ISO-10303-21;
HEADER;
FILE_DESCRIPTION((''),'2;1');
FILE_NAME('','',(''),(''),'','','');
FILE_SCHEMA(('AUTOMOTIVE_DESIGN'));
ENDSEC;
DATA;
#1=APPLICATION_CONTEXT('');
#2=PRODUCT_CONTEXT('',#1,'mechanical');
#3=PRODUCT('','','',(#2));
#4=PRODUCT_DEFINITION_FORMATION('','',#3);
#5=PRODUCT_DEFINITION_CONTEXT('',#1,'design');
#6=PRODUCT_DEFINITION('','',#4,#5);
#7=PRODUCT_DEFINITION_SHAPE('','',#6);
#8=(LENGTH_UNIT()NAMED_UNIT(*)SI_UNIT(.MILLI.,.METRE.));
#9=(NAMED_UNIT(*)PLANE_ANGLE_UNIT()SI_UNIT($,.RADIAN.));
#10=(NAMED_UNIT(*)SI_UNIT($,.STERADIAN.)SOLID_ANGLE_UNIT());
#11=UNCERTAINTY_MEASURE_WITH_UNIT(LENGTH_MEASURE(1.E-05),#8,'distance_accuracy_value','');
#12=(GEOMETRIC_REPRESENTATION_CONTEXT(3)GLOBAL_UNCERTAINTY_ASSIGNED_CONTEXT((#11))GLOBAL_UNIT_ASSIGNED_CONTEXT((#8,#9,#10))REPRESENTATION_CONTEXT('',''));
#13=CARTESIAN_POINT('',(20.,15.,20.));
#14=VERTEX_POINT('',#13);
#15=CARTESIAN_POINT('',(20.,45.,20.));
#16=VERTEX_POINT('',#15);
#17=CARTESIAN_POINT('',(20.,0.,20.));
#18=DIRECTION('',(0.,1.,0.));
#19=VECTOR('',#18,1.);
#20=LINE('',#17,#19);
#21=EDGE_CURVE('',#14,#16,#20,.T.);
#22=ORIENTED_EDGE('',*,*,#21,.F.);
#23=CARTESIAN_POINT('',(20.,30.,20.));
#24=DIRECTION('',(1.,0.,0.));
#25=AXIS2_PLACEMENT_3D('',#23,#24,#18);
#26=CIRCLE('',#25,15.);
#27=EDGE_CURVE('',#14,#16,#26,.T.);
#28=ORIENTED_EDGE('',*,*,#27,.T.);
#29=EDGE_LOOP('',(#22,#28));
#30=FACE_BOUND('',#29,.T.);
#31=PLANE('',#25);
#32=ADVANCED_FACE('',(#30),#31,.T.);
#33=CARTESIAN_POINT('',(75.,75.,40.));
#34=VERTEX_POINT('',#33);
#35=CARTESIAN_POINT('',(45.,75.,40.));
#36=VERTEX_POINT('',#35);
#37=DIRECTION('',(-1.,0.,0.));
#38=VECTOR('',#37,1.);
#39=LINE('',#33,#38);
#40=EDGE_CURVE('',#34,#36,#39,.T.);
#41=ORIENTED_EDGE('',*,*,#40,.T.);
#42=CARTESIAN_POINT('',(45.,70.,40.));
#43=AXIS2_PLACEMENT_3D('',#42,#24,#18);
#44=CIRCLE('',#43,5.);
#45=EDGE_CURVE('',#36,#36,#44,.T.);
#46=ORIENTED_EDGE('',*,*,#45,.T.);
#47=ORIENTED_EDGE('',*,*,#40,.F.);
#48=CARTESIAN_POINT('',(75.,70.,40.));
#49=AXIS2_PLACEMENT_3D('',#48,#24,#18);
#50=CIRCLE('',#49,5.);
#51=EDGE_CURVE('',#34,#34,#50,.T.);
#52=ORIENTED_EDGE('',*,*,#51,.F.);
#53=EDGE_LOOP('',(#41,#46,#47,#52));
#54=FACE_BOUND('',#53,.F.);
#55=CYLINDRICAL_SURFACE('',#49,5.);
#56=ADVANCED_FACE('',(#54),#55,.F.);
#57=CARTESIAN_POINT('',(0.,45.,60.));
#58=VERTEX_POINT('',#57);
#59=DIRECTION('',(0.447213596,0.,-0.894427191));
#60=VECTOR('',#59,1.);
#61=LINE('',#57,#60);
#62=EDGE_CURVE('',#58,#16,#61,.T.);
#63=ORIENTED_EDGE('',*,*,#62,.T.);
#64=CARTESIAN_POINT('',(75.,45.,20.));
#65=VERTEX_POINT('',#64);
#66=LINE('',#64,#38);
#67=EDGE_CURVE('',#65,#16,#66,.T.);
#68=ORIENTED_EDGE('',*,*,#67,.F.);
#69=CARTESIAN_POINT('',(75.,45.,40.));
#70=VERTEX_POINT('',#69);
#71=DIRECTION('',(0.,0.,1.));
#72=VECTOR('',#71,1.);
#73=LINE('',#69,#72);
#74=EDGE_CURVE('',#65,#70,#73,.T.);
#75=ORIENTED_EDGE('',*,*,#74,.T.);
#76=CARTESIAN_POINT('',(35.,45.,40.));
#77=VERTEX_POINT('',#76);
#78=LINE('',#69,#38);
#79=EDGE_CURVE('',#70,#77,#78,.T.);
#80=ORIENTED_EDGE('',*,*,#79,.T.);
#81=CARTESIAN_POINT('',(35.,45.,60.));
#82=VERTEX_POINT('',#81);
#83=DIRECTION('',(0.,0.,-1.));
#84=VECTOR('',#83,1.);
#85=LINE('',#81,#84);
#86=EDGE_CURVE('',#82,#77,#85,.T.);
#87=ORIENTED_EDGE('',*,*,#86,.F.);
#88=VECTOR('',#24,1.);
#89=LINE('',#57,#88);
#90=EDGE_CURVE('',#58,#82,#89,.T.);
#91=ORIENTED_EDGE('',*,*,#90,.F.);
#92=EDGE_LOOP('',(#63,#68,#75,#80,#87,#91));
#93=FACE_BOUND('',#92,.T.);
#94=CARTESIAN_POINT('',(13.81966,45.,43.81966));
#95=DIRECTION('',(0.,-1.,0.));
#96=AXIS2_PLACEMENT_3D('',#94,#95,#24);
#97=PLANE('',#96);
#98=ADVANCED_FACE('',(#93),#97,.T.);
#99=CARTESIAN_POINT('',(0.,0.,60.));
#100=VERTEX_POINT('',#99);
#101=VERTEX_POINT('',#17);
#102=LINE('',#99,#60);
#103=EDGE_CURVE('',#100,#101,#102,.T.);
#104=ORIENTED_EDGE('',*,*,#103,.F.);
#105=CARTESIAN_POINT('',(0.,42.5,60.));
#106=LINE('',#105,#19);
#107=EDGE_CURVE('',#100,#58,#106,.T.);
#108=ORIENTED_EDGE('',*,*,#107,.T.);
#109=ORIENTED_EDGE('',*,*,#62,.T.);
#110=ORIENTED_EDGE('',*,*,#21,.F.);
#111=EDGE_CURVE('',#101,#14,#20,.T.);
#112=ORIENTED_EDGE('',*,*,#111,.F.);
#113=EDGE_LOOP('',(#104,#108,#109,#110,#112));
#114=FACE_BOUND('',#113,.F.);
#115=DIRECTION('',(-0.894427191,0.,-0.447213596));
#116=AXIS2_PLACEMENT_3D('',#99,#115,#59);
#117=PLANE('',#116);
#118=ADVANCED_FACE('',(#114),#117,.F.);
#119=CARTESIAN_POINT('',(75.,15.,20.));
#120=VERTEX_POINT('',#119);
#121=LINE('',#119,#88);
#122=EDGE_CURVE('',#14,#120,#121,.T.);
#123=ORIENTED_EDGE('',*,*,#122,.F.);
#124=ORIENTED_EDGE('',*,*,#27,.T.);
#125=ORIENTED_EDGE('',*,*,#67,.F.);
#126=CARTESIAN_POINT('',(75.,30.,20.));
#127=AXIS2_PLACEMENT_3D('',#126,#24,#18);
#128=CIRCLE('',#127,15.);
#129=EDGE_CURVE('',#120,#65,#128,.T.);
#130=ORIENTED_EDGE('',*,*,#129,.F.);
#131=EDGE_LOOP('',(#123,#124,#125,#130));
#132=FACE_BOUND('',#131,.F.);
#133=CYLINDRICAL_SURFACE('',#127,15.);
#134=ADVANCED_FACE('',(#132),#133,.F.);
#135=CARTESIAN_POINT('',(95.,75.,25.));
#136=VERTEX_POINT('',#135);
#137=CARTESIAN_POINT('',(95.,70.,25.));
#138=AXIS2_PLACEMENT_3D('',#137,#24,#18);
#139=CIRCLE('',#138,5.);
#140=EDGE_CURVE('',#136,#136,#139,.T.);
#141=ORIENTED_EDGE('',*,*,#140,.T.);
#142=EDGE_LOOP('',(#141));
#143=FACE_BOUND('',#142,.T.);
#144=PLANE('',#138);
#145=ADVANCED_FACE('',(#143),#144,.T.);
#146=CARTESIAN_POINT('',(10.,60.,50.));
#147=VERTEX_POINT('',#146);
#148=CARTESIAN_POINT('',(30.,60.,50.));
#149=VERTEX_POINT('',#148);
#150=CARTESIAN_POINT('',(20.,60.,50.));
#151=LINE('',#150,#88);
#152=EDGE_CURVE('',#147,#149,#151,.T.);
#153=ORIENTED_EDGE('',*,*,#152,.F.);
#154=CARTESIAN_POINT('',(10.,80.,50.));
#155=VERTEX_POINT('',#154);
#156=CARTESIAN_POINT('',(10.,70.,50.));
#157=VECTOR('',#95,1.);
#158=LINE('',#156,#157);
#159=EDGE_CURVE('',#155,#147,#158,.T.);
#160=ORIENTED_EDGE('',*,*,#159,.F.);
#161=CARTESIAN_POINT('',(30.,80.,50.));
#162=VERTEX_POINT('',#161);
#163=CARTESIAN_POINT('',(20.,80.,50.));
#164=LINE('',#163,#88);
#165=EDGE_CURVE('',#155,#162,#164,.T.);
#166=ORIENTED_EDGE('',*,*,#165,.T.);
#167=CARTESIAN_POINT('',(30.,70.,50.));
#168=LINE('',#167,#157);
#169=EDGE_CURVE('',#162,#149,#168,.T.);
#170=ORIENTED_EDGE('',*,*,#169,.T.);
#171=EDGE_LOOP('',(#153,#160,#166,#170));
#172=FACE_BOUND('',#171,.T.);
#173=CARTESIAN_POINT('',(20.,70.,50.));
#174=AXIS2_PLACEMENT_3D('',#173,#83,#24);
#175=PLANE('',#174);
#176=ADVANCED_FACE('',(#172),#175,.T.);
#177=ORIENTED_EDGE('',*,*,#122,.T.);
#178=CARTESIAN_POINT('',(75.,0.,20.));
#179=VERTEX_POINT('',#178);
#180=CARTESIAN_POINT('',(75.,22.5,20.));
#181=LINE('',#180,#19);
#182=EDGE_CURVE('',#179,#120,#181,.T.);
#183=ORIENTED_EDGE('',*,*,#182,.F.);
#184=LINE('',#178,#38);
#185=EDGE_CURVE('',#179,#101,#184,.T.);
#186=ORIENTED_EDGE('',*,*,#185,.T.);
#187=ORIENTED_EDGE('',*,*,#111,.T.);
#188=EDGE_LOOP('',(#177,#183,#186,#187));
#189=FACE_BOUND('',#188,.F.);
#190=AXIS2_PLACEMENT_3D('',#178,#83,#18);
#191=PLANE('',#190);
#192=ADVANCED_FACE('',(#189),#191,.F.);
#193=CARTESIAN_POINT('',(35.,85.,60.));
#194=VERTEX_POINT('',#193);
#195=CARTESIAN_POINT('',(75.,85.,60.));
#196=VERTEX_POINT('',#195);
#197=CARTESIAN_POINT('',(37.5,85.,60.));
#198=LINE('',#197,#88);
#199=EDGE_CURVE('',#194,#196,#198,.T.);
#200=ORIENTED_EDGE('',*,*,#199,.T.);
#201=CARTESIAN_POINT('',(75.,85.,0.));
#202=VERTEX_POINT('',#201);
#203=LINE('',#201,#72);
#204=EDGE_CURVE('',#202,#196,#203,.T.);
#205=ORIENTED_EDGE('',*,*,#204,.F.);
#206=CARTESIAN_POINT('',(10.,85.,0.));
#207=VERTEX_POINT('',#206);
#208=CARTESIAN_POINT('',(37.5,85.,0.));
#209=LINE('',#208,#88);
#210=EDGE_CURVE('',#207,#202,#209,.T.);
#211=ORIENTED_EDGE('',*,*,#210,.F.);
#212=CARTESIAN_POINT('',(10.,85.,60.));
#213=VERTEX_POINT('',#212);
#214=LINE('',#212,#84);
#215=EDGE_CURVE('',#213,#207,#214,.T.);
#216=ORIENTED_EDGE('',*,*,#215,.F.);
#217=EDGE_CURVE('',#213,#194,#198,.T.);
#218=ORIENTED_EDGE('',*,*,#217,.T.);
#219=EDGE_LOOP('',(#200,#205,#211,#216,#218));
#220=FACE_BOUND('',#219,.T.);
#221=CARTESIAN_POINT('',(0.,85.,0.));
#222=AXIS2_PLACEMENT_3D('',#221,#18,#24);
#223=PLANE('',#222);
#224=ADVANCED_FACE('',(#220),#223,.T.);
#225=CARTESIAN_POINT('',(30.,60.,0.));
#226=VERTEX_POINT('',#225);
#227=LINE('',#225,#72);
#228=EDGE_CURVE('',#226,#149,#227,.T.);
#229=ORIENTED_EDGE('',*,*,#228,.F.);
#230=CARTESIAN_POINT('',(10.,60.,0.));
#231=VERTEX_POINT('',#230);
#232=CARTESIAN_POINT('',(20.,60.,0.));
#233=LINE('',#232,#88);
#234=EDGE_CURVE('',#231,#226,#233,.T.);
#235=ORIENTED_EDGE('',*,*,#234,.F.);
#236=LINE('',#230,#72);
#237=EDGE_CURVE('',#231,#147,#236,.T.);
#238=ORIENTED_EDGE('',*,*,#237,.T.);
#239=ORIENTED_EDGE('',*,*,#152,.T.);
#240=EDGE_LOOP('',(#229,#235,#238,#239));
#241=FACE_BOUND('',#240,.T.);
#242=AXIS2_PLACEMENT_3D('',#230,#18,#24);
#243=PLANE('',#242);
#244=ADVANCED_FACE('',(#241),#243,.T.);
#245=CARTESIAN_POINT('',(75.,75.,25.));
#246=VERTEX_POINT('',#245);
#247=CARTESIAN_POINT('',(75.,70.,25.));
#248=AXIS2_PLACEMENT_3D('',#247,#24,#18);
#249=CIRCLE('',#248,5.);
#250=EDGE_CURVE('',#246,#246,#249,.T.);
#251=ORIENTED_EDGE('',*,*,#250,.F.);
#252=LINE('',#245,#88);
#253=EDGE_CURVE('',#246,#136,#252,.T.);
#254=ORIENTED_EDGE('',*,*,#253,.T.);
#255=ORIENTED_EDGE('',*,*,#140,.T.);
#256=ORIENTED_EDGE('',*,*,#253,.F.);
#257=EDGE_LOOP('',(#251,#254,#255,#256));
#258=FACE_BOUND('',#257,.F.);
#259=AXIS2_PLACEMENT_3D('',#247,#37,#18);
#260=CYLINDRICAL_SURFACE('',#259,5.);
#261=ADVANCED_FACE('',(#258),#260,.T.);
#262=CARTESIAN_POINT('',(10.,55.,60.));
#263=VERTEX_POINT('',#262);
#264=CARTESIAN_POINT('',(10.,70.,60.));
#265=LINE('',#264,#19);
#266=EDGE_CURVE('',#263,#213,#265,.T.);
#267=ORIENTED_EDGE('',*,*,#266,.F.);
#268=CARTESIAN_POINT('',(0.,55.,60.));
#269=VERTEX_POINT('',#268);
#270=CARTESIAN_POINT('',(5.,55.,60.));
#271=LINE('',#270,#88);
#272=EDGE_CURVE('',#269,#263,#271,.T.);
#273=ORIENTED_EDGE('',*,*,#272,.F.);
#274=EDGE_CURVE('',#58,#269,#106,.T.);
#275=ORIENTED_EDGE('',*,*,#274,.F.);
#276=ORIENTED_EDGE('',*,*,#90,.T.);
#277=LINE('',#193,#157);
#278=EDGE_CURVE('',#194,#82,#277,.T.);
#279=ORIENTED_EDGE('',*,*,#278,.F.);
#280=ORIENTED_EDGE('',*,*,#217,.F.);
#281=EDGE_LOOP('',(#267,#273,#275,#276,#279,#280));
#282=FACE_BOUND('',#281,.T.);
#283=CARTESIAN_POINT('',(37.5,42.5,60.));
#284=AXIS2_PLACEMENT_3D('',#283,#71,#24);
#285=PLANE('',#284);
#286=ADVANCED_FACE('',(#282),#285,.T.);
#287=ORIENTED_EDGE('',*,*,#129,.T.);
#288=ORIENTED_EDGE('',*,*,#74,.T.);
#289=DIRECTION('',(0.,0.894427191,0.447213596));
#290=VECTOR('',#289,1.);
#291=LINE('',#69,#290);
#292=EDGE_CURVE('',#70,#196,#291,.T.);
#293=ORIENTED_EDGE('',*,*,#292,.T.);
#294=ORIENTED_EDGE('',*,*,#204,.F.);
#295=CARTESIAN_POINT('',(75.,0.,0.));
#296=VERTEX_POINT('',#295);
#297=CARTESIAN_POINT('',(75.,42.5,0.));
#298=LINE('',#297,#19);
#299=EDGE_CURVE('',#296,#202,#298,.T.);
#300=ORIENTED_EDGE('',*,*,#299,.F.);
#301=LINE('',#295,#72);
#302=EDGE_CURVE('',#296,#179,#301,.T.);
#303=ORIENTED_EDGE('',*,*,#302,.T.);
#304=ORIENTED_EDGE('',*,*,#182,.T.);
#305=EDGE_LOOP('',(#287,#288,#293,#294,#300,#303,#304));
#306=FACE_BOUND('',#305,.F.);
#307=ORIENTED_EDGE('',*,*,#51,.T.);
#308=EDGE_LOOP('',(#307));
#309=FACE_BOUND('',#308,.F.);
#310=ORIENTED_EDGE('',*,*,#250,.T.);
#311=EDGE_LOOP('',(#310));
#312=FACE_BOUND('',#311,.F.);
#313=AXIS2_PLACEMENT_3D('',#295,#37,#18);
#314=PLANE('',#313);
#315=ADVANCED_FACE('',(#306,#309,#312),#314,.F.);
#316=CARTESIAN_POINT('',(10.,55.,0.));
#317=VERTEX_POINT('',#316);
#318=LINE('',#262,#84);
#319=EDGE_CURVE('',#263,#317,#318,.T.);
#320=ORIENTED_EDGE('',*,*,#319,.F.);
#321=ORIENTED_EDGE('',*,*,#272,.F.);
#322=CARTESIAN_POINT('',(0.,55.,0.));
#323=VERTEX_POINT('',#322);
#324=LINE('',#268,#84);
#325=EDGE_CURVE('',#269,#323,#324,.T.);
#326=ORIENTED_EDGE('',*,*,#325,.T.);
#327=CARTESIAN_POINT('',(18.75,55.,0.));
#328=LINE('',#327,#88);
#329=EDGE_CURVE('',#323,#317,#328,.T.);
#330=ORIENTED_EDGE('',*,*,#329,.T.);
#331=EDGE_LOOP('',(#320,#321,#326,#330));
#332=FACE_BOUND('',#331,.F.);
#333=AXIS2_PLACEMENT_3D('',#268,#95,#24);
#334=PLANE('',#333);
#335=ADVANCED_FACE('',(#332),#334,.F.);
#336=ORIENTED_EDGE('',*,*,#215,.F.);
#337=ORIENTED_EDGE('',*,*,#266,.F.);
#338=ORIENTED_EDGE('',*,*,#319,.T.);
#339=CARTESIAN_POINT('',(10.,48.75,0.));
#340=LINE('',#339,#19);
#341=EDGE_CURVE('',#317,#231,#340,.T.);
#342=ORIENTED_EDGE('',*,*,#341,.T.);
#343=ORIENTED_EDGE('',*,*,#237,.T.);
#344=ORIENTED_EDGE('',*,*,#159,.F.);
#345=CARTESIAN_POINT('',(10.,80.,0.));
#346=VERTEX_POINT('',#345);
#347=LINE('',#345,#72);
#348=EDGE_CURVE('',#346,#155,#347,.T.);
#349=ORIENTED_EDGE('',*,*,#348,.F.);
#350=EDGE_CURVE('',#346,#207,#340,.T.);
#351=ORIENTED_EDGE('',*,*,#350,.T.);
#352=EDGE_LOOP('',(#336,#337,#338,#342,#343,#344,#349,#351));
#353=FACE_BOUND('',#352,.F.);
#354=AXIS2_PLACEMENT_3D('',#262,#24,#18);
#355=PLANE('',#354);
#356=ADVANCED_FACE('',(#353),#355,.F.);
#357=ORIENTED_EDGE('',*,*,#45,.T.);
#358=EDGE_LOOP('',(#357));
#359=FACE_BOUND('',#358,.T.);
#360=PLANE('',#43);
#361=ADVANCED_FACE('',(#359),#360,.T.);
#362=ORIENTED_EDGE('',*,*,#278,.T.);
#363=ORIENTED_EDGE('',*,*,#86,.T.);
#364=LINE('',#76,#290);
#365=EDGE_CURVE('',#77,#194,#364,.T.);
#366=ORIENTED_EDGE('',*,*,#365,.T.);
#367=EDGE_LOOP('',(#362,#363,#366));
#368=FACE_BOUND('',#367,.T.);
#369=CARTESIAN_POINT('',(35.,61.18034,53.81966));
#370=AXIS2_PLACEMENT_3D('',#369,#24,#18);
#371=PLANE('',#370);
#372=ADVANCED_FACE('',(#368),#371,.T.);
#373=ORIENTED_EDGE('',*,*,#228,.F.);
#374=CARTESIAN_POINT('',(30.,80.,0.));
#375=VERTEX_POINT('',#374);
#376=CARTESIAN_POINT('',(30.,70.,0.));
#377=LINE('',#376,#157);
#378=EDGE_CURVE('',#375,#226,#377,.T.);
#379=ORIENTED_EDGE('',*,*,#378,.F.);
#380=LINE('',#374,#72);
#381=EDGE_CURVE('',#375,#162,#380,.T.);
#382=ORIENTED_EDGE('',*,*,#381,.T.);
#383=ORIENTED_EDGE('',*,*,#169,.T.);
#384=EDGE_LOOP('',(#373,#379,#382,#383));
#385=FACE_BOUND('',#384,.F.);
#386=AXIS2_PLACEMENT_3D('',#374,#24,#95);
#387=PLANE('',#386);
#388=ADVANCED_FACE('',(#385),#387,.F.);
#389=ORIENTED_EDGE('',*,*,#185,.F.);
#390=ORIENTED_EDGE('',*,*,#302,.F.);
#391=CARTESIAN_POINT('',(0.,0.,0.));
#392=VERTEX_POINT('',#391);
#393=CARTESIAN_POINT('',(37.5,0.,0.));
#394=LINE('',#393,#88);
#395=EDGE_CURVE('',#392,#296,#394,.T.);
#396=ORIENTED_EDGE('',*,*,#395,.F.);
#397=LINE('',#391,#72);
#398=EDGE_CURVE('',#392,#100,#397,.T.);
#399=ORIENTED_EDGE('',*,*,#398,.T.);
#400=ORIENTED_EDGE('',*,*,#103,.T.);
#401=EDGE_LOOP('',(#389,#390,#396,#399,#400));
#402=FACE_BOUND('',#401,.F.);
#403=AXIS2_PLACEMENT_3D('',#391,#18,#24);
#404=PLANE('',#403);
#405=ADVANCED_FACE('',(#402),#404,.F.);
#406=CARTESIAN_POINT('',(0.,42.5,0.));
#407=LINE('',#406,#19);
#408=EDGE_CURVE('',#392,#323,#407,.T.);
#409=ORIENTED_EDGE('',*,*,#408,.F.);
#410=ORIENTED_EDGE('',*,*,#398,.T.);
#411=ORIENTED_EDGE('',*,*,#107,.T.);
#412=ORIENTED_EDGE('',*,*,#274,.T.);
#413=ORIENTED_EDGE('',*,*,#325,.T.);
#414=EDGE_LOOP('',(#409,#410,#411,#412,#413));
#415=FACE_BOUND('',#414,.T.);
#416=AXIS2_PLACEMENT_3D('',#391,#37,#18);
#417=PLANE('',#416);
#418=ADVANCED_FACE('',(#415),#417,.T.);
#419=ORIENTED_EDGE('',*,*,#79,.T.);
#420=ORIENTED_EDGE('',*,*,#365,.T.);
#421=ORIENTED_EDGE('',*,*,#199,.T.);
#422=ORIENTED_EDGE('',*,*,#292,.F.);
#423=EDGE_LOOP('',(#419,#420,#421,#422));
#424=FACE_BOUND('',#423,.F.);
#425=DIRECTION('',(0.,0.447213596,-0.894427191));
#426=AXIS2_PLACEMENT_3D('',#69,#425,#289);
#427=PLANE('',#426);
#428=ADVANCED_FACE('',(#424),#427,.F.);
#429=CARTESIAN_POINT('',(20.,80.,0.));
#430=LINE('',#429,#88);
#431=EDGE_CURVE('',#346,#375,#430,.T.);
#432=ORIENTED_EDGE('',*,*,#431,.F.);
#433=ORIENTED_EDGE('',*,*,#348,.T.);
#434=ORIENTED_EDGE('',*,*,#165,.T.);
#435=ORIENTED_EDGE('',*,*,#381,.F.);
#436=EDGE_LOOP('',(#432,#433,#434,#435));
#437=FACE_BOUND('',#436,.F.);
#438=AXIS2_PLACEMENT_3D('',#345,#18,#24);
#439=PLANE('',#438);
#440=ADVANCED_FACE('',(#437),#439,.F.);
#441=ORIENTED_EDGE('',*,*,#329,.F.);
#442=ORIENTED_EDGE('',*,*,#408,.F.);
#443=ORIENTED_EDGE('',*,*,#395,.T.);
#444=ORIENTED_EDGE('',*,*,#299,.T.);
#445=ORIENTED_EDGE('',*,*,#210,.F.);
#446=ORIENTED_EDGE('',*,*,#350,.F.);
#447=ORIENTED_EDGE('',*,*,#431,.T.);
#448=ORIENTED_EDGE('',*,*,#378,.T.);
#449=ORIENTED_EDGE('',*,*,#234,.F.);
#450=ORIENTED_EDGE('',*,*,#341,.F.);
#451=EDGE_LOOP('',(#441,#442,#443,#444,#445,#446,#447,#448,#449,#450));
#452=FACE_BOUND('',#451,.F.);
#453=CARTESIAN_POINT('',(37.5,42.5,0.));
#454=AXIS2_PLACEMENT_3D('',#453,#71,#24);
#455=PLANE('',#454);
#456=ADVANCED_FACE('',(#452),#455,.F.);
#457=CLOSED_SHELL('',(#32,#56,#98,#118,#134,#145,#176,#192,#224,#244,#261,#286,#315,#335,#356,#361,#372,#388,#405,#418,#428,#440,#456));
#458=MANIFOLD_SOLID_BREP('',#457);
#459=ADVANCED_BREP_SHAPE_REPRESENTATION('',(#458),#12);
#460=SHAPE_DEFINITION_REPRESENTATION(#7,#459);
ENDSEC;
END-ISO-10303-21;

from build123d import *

# Parameters (mm, degrees)
F0_W      = 75
F0_H      = 85
F1_DEPTH  = 60
F2_R      = 5
F3_DEPTH  = 20
F4_R      = 5
F5_DEPTH  = 30
F6_W      = 10
F6_H      = 30
F7_DEPTH  = 60.001
F9_DEPTH  = 45
F11_DEPTH = 40
F12_W     = 45
F12_H     = 40
F13_DEPTH = 55
F14_R     = 15
F15_DEPTH = 55
F16_W     = 20
F16_H     = 20
F17_DEPTH = 50


with BuildPart() as f1:
    # F0 (on Top) → F1 (new body)
    with BuildSketch(Plane.XY):
        with Locations((37.5, 42.5)):
            Rectangle(F0_W, F0_H)
    extrude(amount=F1_DEPTH)

    # F2 (on face) → F3 (join)
    with BuildSketch(Plane.YZ.offset(75)):
        with Locations((70, 25)):
            Circle(F2_R)
    extrude(amount=F3_DEPTH)

    # F4 (on face) → F5 (cut)
    with BuildSketch(Plane.YZ.offset(75)):
        with Locations((70, 40)):
            Circle(F4_R)
    extrude(amount=-F5_DEPTH, mode=Mode.SUBTRACT)

    # F6 (on face) → F7 (cut, through all)
    with BuildSketch(Plane.XY.offset(60)):
        with Locations((5, 70)):
            Rectangle(F6_W, F6_H)
    extrude(amount=-F7_DEPTH, mode=Mode.SUBTRACT)

    # F8 (on face) → F9 (cut)
    with BuildSketch(Plane.XZ):
        Polygon((20, 60), (0, 60), (20, 20), align=None)
    extrude(amount=-F9_DEPTH, mode=Mode.SUBTRACT)

    # F10 (on face) → F11 (cut)
    with BuildSketch(Plane.YZ.offset(75)):
        Polygon((45, 40), (85, 60), (45, 60), align=None)
    extrude(amount=-F11_DEPTH, mode=Mode.SUBTRACT)

    # F12 (on face) → F13 (cut)
    with BuildSketch(Plane.YZ.offset(75)):
        with Locations((22.5, 40)):
            Rectangle(F12_W, F12_H)
    extrude(amount=-F13_DEPTH, mode=Mode.SUBTRACT)

    # F14 (on face) → F15 (cut, through all)
    with BuildSketch(Plane.YZ.offset(75)):
        with Locations((30, 20)):
            Circle(F14_R)
    extrude(amount=-F15_DEPTH, mode=Mode.SUBTRACT)

    # F16 (on face) → F17 (cut)
    with BuildSketch(Plane(origin=(0, 0, 0), x_dir=(1, 0, 0), z_dir=(0, 0, -1))):
        with Locations((20, -70)):
            Rectangle(F16_W, F16_H)
    extrude(amount=-F17_DEPTH, mode=Mode.SUBTRACT)


solid = f1.part
